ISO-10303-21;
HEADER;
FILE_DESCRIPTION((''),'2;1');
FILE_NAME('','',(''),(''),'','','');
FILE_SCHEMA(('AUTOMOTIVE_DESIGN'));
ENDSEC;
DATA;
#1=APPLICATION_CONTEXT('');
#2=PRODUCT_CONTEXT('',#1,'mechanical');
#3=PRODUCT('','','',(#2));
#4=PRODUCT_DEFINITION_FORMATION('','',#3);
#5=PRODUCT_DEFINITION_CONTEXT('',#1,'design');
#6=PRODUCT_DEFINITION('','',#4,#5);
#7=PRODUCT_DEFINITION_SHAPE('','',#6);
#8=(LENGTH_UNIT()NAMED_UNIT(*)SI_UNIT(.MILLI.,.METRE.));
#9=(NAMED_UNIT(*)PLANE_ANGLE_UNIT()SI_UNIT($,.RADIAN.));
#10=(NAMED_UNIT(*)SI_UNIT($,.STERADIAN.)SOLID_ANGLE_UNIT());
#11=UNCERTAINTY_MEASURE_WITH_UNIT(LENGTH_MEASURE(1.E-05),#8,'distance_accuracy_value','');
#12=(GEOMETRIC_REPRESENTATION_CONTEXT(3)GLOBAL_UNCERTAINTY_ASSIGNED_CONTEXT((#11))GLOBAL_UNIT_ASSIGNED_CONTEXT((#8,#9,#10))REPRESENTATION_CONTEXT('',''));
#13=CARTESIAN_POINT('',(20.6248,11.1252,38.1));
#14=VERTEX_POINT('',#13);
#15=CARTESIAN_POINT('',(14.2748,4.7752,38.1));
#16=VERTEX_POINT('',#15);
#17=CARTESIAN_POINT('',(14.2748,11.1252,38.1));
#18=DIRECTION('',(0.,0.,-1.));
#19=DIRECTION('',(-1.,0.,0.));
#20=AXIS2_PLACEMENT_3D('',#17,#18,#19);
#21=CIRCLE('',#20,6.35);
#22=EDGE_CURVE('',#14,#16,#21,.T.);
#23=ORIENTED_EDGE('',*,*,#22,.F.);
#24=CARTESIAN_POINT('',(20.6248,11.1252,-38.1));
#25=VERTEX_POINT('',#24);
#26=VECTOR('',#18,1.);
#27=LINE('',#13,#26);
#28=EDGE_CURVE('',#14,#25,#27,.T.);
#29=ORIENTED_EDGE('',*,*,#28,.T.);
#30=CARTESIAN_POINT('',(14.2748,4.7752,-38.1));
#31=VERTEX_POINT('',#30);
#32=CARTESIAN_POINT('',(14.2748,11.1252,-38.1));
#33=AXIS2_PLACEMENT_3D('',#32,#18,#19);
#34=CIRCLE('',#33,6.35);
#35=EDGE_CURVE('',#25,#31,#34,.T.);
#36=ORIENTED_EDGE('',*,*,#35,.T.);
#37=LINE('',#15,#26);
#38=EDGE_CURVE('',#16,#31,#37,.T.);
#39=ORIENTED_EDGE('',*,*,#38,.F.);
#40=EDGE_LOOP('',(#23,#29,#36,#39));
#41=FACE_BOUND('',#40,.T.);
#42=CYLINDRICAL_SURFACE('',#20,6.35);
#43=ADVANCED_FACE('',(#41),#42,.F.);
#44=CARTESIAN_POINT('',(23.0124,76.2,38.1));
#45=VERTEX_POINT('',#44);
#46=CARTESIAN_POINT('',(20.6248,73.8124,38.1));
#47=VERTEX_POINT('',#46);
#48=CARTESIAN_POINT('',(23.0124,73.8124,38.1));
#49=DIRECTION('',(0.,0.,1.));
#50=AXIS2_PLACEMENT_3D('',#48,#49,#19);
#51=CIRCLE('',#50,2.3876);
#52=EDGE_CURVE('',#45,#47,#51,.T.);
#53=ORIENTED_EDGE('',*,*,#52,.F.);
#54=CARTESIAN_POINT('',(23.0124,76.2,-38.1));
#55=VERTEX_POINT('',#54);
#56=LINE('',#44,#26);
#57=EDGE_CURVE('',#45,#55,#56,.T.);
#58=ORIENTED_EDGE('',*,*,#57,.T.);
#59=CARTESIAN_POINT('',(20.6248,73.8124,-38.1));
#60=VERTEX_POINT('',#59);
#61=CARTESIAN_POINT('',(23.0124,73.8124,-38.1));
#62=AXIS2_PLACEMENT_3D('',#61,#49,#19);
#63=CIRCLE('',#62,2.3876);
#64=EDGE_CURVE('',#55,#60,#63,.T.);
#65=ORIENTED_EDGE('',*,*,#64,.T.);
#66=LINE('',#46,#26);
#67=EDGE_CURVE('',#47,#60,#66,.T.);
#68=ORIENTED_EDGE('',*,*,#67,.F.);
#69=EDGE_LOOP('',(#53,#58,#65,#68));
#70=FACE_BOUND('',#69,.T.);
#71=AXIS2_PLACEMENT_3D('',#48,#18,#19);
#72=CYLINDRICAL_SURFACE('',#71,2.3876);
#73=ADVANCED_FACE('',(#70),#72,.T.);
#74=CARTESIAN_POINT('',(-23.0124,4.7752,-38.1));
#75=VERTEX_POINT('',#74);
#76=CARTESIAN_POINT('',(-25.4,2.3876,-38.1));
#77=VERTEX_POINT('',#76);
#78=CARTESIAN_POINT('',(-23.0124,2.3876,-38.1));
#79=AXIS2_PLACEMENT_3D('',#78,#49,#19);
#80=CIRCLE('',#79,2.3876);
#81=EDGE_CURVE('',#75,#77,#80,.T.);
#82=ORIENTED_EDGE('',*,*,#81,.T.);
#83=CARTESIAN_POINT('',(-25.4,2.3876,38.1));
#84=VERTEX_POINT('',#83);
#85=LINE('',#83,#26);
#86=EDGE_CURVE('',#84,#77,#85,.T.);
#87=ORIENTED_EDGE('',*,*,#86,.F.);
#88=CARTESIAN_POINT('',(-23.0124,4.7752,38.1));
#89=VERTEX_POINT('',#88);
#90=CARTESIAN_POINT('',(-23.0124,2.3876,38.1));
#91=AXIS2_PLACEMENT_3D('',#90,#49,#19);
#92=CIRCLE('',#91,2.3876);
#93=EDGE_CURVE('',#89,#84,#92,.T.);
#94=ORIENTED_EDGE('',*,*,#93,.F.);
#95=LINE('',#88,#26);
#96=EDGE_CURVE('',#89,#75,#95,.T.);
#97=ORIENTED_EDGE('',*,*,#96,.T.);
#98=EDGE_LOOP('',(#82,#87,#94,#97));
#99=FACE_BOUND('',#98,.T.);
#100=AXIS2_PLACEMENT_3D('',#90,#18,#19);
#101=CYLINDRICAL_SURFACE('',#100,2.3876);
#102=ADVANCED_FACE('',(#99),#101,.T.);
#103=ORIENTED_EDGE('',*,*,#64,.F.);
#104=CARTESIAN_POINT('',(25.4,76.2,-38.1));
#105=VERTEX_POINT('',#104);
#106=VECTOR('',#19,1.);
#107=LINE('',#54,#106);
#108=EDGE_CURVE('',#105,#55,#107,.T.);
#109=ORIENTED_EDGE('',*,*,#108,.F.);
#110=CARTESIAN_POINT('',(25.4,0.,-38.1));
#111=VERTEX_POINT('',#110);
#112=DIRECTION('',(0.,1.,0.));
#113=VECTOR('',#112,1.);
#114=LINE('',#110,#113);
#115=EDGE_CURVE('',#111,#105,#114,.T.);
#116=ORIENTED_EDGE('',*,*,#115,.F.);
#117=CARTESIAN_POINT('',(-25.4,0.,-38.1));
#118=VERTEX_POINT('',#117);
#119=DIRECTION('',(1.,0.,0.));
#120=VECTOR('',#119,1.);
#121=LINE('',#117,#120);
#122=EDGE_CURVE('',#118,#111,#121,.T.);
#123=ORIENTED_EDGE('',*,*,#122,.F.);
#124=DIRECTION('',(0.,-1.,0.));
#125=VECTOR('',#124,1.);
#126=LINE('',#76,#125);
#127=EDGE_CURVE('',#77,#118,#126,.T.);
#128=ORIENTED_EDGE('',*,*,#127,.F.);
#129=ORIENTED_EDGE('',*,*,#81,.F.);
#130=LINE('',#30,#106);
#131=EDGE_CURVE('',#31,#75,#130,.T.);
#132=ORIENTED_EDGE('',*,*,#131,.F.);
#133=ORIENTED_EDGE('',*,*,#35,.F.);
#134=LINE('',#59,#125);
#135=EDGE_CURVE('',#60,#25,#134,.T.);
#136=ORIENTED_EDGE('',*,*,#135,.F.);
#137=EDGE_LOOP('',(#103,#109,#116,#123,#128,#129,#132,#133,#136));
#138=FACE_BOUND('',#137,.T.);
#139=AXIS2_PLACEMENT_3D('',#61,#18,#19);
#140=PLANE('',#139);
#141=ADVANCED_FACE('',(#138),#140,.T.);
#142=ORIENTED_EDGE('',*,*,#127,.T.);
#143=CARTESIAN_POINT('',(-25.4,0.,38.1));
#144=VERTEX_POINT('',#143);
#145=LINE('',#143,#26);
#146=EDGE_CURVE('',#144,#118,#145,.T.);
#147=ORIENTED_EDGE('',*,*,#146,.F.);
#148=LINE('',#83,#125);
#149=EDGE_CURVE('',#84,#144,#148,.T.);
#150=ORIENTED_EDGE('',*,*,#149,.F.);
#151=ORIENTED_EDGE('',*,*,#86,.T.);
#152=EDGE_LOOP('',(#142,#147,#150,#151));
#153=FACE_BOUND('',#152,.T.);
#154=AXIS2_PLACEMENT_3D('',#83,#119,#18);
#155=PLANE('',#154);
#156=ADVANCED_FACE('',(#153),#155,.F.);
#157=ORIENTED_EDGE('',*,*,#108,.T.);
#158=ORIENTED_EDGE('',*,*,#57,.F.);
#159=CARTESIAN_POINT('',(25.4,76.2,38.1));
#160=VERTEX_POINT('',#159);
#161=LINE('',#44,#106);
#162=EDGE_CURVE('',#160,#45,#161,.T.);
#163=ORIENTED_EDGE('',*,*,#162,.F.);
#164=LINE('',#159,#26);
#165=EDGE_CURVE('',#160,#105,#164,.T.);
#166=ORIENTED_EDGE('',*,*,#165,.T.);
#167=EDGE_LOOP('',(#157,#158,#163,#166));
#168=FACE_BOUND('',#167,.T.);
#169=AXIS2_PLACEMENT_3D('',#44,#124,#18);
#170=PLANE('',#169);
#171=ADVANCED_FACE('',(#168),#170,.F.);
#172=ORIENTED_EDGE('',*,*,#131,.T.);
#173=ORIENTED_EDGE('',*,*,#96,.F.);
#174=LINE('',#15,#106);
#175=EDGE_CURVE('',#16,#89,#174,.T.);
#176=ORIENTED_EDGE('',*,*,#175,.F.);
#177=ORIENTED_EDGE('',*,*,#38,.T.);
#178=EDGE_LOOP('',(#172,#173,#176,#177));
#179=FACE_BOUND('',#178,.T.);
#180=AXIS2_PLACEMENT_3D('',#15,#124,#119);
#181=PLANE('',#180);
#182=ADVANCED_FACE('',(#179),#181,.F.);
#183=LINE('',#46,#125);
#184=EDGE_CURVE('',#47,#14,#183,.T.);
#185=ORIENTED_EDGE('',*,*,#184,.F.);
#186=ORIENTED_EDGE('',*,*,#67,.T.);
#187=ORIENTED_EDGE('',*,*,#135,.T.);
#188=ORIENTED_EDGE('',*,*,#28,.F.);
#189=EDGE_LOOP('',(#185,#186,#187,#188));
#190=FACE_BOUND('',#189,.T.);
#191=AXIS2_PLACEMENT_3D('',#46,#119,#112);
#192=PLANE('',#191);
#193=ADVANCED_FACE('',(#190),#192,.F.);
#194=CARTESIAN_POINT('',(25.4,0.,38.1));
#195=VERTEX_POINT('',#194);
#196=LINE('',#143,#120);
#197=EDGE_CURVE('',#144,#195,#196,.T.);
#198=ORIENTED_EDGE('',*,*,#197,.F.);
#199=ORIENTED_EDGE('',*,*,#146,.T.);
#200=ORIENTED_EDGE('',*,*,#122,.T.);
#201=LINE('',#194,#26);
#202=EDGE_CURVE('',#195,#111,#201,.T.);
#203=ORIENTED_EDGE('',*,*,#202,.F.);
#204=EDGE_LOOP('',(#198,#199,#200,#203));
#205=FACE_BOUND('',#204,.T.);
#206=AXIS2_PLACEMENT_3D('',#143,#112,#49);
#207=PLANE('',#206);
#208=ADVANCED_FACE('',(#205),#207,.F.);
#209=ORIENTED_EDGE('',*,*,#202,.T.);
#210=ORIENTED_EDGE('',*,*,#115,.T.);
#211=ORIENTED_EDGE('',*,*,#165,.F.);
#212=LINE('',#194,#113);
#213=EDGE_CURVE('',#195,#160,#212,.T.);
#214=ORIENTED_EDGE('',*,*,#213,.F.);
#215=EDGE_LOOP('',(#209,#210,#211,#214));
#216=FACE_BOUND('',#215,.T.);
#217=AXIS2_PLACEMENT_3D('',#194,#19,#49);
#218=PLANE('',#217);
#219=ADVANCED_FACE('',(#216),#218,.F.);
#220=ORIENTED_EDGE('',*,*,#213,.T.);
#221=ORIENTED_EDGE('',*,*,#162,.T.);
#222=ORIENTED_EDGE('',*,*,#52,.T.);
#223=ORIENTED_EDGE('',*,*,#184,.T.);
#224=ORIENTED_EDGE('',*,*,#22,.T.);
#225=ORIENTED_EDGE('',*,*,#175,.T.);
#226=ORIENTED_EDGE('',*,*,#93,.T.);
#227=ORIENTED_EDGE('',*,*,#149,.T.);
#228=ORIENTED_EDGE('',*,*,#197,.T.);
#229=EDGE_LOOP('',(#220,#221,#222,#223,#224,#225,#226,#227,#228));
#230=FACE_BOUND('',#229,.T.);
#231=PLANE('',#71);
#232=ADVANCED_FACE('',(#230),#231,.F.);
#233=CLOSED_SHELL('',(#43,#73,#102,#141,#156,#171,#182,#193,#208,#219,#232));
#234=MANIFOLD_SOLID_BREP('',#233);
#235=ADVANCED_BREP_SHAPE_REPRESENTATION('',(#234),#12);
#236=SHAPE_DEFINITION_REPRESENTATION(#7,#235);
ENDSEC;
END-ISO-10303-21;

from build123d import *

# Parameters (mm, degrees)
BOSS_EXTRUDE1_DEPTH = 38.1


with BuildPart() as part:
    # Sketch2 → Boss-Extrude1 (new, symmetric)
    with BuildSketch(Plane.XY):
        with BuildLine():
            Line((-25.4, 0), (25.4, 0))
            Line((25.4, 0), (25.4, 76.2))
            Line((25.4, 76.2), (23.0124, 76.2))
            ThreePointArc((23.0124, 76.2), (21.324111849, 75.500688151), (20.6248, 73.8124))
            Line((20.6248, 73.8124), (20.6248, 11.1252))
            ThreePointArc((20.6248, 11.1252), (18.764928061, 6.635071939), (14.2748, 4.7752))
            Line((14.2748, 4.7752), (-23.0124, 4.7752))
            ThreePointArc((-23.0124, 4.7752), (-24.700688151, 4.075888151), (-25.4, 2.3876))
            Line((-25.4, 2.3876), (-25.4, 0))
        make_face()
    extrude(amount=BOSS_EXTRUDE1_DEPTH, both=True)


solid = part.part
